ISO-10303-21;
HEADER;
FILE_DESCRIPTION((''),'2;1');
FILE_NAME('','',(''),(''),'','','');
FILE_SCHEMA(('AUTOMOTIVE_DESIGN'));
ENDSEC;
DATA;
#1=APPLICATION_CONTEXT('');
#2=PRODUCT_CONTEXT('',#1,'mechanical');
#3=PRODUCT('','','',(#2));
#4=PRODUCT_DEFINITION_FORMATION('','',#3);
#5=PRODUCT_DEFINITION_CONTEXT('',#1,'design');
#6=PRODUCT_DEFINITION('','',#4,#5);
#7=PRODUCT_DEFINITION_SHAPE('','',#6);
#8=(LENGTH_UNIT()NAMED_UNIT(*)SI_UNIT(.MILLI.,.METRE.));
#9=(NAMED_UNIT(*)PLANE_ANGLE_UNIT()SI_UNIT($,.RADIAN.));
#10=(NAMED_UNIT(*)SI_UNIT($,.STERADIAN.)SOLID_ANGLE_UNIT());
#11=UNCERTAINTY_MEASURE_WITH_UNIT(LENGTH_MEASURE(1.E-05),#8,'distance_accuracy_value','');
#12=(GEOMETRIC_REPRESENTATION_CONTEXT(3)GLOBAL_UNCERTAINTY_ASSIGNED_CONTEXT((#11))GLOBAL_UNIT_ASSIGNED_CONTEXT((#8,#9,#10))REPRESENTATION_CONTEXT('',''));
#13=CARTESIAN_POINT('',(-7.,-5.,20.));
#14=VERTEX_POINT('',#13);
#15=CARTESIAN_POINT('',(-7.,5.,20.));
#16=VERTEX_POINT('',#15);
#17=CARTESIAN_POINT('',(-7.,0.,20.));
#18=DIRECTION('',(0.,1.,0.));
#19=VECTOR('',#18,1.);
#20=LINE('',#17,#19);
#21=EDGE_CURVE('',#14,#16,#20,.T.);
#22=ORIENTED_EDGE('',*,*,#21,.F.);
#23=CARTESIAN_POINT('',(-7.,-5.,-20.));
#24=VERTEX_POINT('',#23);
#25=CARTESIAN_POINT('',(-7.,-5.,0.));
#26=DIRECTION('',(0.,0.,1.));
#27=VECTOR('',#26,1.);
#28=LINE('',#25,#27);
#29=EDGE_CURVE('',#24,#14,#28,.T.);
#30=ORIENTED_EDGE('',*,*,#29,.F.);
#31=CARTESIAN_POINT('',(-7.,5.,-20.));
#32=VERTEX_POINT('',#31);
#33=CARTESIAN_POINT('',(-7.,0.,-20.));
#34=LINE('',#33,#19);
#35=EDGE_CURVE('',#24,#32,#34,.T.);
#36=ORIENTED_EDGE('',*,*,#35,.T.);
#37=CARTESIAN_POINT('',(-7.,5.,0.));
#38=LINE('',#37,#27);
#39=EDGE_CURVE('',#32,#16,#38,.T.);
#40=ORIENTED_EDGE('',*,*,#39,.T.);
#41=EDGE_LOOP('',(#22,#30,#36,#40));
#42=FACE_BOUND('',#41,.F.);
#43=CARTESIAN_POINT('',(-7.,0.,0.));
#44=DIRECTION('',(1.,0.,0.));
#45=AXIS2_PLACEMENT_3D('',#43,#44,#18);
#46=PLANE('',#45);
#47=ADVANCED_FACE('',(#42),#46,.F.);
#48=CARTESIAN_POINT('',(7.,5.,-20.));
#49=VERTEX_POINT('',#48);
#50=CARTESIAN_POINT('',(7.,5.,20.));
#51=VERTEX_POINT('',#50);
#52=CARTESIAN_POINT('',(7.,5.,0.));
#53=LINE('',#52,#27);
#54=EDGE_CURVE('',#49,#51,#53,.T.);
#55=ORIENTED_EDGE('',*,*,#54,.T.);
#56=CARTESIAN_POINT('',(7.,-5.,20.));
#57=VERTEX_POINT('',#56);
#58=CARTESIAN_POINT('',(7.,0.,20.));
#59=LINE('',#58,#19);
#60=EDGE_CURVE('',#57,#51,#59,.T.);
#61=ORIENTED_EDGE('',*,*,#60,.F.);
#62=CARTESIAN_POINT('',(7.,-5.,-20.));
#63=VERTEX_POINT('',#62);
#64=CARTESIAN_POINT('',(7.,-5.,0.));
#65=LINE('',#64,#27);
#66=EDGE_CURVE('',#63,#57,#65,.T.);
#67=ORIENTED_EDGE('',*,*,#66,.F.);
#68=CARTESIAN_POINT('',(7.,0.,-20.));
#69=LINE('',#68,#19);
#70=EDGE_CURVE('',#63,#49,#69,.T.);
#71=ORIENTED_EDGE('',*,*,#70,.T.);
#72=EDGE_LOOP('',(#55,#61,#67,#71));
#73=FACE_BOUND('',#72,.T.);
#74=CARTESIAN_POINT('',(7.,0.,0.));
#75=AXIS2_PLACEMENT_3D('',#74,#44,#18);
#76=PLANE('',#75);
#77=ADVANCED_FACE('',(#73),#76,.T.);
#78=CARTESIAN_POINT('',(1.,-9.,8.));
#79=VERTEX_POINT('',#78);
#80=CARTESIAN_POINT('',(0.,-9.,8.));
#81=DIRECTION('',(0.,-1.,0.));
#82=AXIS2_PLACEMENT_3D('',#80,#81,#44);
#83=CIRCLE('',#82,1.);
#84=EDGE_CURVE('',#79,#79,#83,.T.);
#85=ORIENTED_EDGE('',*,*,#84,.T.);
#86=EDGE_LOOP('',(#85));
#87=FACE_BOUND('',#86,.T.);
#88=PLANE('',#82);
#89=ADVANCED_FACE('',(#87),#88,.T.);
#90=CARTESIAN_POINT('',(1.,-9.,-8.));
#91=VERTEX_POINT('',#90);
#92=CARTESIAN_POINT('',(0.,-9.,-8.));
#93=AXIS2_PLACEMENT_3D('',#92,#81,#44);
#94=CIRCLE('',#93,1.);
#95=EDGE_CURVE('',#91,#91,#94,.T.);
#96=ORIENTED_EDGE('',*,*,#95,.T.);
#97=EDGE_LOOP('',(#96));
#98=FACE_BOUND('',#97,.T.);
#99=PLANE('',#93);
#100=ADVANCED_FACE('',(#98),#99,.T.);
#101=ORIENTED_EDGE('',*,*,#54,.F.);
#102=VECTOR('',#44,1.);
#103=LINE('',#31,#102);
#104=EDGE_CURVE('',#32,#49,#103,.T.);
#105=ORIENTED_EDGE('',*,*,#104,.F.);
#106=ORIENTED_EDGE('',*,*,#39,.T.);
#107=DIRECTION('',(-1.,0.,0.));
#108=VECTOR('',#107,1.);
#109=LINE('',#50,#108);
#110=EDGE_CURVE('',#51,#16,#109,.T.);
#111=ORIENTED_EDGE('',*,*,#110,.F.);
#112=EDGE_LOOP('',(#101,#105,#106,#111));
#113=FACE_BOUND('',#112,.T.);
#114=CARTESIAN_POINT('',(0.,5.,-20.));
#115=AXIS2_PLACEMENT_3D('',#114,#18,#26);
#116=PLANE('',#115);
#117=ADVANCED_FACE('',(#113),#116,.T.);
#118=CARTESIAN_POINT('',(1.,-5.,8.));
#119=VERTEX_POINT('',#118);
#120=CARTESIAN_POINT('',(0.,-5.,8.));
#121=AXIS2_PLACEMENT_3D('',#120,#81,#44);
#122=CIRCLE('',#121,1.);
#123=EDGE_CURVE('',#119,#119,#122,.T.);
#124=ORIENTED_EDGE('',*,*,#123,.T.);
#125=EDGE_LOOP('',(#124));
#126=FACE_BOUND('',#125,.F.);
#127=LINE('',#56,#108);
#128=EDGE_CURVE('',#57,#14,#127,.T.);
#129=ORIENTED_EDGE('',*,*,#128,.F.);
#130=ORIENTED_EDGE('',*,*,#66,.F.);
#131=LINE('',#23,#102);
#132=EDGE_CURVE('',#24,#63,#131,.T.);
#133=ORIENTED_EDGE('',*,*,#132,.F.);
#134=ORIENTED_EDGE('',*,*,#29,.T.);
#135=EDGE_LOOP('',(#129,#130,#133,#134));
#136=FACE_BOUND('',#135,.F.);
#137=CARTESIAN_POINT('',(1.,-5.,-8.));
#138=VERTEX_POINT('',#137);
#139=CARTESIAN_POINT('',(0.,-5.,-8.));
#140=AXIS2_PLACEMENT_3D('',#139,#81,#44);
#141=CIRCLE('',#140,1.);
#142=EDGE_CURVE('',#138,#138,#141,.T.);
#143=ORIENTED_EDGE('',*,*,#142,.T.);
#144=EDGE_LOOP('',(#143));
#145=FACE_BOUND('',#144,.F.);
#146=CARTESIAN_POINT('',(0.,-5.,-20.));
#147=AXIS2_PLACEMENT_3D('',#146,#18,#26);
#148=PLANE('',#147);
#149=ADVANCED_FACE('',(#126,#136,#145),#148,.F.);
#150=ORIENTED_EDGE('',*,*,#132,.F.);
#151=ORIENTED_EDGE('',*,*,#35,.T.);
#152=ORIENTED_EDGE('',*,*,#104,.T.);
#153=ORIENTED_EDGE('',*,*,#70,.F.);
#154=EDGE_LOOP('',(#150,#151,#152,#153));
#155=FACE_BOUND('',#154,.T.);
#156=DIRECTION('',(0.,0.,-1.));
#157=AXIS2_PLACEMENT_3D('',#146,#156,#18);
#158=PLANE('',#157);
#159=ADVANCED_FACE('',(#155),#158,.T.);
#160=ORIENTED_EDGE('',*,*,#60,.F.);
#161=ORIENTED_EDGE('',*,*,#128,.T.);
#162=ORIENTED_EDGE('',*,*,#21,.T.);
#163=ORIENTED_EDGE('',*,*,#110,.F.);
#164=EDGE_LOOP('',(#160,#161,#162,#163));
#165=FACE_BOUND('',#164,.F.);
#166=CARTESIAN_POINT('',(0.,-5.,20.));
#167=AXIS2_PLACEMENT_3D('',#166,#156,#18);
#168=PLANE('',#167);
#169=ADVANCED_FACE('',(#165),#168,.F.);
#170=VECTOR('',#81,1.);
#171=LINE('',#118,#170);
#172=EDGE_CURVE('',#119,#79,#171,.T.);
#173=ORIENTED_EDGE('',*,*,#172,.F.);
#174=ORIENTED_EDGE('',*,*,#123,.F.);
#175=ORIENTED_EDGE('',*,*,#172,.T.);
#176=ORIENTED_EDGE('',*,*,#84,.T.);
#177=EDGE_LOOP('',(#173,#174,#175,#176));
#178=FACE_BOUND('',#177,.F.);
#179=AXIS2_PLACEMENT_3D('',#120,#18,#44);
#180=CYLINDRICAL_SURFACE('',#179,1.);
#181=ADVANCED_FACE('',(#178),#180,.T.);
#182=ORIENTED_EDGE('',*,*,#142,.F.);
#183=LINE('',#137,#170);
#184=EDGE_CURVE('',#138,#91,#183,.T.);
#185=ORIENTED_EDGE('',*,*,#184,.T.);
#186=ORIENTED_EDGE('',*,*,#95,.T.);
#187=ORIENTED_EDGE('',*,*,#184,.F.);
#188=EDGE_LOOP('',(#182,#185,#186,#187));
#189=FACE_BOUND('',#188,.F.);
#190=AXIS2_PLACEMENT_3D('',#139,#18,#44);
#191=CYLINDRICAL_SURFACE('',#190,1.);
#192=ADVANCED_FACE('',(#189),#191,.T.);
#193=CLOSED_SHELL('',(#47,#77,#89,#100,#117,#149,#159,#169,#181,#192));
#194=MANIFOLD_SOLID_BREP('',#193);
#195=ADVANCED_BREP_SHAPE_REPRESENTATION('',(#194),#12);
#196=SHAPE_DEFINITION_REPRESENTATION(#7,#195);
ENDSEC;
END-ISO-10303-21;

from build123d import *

# Parameters (mm, degrees)
F0_W          = 10
F0_H          = 40
F1_DEPTH      = 7
F1_DEPTH_BACK = 7
F2_R          = 1
F3_DEPTH      = 4


with BuildPart() as f1:
    # F0 (on Right) → F1 (new body, two sides)
    with BuildSketch(Plane.YZ) as f1_sk:
        Rectangle(F0_W, F0_H)
    extrude(amount=F1_DEPTH)
    extrude(f1_sk.sketch, amount=-F1_DEPTH_BACK)

    # F2 (on face) → F3 (join)
    with BuildSketch(Plane.XZ.offset(5)):
        with Locations((0, 8)):
            Circle(F2_R)
        with Locations((0, -8)):
            Circle(F2_R)
    extrude(amount=F3_DEPTH)


solid = f1.part
